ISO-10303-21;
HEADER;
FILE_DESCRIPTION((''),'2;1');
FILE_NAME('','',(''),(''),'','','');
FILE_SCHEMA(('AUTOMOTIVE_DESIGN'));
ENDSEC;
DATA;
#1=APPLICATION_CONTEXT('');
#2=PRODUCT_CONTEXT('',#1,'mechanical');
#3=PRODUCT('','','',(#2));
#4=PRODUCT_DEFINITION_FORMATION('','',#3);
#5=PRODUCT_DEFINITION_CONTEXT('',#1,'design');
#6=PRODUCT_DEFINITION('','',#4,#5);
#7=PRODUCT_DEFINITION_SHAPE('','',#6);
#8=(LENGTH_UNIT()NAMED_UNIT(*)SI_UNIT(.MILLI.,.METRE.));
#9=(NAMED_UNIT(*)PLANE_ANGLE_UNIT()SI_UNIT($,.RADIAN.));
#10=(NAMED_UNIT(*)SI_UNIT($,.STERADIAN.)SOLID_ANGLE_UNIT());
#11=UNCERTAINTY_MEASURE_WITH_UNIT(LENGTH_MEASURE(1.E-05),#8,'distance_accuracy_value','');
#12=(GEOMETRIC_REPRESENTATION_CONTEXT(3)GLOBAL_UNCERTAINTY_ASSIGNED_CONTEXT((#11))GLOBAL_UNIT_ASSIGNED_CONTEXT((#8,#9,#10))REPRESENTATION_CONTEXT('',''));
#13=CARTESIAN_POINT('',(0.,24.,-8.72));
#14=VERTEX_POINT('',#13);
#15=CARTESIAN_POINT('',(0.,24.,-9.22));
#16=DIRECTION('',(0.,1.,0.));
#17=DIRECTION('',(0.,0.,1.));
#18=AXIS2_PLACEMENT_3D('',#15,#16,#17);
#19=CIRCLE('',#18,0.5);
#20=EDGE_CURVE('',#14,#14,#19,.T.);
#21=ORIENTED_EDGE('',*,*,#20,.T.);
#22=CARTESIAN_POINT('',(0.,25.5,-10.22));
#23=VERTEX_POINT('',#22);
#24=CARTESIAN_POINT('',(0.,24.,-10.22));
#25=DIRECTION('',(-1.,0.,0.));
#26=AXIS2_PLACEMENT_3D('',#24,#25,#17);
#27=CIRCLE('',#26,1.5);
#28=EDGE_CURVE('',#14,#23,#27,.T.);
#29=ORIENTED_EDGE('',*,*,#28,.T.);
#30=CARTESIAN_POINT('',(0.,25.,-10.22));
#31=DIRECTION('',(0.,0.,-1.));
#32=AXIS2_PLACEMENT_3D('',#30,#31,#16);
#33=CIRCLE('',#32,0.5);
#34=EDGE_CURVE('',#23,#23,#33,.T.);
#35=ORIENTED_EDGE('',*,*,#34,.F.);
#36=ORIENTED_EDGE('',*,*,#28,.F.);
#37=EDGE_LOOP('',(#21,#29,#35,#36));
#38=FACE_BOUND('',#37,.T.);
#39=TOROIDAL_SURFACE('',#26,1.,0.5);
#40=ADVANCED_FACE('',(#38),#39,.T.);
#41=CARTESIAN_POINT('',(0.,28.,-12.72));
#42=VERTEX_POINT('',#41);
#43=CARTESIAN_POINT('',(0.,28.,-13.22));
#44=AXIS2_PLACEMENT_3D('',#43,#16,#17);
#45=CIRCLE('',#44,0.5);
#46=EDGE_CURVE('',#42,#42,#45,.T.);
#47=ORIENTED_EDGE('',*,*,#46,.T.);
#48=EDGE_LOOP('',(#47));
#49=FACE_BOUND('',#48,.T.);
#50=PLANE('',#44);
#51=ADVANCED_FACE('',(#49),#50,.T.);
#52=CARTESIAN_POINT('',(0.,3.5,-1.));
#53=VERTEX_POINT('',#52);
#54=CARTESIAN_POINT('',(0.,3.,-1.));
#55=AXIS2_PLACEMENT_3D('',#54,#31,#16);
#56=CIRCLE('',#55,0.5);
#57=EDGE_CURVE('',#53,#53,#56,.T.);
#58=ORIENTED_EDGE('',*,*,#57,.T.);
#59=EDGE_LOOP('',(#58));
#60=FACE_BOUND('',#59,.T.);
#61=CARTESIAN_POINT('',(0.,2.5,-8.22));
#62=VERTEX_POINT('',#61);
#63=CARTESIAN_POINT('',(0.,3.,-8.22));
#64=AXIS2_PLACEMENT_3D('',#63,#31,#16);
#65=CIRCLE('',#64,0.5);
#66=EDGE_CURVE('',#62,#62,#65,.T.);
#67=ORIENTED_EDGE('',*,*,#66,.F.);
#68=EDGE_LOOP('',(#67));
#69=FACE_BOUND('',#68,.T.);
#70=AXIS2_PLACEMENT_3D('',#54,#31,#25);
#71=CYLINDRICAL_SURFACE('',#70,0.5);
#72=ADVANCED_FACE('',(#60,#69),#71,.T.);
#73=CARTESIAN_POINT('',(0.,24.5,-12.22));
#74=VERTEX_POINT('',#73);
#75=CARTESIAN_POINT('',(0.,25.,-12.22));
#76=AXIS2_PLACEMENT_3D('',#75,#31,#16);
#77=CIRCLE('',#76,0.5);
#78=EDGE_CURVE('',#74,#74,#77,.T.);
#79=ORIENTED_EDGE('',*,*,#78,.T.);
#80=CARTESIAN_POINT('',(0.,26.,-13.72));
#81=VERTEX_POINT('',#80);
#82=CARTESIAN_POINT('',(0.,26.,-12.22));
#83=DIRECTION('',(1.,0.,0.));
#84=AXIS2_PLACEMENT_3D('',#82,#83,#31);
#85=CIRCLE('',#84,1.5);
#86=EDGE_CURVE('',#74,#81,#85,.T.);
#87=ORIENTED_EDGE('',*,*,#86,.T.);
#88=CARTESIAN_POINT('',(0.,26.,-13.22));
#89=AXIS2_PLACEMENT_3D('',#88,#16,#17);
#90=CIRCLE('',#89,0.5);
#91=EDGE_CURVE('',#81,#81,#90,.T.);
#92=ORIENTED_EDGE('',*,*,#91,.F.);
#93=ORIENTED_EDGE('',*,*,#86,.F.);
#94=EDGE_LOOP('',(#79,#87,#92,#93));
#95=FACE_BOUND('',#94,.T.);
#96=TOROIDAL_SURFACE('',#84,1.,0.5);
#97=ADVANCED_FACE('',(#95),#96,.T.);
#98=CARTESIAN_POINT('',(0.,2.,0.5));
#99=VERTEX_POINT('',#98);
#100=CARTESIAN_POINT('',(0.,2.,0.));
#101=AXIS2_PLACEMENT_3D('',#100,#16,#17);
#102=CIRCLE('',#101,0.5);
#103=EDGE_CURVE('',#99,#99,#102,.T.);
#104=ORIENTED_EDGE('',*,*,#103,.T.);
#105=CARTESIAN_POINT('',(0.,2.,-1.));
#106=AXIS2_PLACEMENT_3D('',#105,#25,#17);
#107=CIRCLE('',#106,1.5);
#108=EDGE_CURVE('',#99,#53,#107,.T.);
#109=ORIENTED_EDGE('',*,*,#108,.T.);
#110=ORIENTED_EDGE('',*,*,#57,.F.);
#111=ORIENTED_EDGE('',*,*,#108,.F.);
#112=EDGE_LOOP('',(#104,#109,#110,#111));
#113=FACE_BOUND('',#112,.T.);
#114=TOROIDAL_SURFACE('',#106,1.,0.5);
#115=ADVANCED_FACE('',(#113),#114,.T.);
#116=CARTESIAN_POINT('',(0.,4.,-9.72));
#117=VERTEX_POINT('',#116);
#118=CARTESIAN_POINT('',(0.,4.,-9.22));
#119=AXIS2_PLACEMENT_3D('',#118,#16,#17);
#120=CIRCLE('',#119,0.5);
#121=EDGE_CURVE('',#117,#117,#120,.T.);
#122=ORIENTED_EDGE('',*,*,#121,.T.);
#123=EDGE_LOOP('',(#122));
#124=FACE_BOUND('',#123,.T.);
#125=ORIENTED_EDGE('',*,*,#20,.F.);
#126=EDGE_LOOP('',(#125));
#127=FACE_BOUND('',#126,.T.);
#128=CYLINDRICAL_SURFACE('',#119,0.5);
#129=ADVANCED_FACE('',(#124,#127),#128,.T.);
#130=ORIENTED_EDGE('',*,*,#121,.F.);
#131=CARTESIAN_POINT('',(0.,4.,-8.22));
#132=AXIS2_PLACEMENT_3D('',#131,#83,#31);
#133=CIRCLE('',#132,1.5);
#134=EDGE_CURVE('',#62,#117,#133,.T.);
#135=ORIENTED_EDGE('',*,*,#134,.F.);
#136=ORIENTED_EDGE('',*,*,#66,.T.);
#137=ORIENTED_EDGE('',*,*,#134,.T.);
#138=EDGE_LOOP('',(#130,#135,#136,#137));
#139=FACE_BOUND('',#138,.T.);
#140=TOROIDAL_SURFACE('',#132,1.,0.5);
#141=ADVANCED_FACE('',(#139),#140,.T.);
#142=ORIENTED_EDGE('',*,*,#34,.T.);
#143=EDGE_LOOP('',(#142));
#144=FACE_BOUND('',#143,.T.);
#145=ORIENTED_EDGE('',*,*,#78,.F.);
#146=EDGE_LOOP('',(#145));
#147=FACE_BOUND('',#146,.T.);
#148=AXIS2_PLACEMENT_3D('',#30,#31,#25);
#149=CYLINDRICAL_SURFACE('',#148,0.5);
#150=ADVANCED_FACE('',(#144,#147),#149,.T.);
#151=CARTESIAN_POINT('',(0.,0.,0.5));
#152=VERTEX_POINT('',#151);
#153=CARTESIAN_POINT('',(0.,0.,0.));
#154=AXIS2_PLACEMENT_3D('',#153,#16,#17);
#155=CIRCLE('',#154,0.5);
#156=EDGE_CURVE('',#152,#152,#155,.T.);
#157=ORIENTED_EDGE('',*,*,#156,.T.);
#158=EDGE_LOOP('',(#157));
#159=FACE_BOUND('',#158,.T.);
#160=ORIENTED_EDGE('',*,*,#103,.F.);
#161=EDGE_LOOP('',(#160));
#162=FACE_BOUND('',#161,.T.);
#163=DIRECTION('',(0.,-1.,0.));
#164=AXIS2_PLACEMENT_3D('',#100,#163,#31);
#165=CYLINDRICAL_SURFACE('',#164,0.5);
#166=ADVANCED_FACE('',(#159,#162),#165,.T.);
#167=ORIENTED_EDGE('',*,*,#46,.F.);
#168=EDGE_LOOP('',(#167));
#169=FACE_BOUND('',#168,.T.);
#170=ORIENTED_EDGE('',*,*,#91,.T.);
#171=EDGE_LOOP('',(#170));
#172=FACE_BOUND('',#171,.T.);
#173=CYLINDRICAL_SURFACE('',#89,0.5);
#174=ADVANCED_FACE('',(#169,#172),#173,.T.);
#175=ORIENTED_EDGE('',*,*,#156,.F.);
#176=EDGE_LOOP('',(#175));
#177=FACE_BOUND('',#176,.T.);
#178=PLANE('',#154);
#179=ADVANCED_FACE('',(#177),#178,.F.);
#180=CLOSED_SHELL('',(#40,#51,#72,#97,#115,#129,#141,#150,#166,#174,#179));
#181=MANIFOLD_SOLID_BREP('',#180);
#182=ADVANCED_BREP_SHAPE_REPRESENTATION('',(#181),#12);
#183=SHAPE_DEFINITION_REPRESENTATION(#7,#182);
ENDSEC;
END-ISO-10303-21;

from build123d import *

# Parameters (mm, degrees)
SKETCH2_R = 0.5


with BuildPart() as part:
    # Sweep1: sweep along a path in Sketch1
    with BuildLine(Plane(origin=(0, 0, 0), x_dir=(0, 0, -1), z_dir=(1, 0, 0))) as sweep1_path:
        Line((0, 0), (0, 2))
        ThreePointArc((0, 2), (0.292893219, 2.707106781), (1, 3))
        Line((1, 3), (8.22, 3))
        ThreePointArc((8.22, 3), (8.927106781, 3.292893219), (9.22, 4))
        Line((9.22, 4), (9.22, 24))
        ThreePointArc((9.22, 24), (9.512893219, 24.707106781), (10.22, 25))
        Line((10.22, 25), (12.22, 25))
        ThreePointArc((12.22, 25), (12.927106781, 25.292893219), (13.22, 26))
        Line((13.22, 26), (13.22, 28))
    # Sketch2 → Sweep1 (sweep)
    with BuildSketch(Plane(origin=(0, 0, 0), x_dir=(1, 0, 0), z_dir=(0, 1, 0))):
        Circle(SKETCH2_R)
    sweep(path=sweep1_path.line)


solid = part.part
